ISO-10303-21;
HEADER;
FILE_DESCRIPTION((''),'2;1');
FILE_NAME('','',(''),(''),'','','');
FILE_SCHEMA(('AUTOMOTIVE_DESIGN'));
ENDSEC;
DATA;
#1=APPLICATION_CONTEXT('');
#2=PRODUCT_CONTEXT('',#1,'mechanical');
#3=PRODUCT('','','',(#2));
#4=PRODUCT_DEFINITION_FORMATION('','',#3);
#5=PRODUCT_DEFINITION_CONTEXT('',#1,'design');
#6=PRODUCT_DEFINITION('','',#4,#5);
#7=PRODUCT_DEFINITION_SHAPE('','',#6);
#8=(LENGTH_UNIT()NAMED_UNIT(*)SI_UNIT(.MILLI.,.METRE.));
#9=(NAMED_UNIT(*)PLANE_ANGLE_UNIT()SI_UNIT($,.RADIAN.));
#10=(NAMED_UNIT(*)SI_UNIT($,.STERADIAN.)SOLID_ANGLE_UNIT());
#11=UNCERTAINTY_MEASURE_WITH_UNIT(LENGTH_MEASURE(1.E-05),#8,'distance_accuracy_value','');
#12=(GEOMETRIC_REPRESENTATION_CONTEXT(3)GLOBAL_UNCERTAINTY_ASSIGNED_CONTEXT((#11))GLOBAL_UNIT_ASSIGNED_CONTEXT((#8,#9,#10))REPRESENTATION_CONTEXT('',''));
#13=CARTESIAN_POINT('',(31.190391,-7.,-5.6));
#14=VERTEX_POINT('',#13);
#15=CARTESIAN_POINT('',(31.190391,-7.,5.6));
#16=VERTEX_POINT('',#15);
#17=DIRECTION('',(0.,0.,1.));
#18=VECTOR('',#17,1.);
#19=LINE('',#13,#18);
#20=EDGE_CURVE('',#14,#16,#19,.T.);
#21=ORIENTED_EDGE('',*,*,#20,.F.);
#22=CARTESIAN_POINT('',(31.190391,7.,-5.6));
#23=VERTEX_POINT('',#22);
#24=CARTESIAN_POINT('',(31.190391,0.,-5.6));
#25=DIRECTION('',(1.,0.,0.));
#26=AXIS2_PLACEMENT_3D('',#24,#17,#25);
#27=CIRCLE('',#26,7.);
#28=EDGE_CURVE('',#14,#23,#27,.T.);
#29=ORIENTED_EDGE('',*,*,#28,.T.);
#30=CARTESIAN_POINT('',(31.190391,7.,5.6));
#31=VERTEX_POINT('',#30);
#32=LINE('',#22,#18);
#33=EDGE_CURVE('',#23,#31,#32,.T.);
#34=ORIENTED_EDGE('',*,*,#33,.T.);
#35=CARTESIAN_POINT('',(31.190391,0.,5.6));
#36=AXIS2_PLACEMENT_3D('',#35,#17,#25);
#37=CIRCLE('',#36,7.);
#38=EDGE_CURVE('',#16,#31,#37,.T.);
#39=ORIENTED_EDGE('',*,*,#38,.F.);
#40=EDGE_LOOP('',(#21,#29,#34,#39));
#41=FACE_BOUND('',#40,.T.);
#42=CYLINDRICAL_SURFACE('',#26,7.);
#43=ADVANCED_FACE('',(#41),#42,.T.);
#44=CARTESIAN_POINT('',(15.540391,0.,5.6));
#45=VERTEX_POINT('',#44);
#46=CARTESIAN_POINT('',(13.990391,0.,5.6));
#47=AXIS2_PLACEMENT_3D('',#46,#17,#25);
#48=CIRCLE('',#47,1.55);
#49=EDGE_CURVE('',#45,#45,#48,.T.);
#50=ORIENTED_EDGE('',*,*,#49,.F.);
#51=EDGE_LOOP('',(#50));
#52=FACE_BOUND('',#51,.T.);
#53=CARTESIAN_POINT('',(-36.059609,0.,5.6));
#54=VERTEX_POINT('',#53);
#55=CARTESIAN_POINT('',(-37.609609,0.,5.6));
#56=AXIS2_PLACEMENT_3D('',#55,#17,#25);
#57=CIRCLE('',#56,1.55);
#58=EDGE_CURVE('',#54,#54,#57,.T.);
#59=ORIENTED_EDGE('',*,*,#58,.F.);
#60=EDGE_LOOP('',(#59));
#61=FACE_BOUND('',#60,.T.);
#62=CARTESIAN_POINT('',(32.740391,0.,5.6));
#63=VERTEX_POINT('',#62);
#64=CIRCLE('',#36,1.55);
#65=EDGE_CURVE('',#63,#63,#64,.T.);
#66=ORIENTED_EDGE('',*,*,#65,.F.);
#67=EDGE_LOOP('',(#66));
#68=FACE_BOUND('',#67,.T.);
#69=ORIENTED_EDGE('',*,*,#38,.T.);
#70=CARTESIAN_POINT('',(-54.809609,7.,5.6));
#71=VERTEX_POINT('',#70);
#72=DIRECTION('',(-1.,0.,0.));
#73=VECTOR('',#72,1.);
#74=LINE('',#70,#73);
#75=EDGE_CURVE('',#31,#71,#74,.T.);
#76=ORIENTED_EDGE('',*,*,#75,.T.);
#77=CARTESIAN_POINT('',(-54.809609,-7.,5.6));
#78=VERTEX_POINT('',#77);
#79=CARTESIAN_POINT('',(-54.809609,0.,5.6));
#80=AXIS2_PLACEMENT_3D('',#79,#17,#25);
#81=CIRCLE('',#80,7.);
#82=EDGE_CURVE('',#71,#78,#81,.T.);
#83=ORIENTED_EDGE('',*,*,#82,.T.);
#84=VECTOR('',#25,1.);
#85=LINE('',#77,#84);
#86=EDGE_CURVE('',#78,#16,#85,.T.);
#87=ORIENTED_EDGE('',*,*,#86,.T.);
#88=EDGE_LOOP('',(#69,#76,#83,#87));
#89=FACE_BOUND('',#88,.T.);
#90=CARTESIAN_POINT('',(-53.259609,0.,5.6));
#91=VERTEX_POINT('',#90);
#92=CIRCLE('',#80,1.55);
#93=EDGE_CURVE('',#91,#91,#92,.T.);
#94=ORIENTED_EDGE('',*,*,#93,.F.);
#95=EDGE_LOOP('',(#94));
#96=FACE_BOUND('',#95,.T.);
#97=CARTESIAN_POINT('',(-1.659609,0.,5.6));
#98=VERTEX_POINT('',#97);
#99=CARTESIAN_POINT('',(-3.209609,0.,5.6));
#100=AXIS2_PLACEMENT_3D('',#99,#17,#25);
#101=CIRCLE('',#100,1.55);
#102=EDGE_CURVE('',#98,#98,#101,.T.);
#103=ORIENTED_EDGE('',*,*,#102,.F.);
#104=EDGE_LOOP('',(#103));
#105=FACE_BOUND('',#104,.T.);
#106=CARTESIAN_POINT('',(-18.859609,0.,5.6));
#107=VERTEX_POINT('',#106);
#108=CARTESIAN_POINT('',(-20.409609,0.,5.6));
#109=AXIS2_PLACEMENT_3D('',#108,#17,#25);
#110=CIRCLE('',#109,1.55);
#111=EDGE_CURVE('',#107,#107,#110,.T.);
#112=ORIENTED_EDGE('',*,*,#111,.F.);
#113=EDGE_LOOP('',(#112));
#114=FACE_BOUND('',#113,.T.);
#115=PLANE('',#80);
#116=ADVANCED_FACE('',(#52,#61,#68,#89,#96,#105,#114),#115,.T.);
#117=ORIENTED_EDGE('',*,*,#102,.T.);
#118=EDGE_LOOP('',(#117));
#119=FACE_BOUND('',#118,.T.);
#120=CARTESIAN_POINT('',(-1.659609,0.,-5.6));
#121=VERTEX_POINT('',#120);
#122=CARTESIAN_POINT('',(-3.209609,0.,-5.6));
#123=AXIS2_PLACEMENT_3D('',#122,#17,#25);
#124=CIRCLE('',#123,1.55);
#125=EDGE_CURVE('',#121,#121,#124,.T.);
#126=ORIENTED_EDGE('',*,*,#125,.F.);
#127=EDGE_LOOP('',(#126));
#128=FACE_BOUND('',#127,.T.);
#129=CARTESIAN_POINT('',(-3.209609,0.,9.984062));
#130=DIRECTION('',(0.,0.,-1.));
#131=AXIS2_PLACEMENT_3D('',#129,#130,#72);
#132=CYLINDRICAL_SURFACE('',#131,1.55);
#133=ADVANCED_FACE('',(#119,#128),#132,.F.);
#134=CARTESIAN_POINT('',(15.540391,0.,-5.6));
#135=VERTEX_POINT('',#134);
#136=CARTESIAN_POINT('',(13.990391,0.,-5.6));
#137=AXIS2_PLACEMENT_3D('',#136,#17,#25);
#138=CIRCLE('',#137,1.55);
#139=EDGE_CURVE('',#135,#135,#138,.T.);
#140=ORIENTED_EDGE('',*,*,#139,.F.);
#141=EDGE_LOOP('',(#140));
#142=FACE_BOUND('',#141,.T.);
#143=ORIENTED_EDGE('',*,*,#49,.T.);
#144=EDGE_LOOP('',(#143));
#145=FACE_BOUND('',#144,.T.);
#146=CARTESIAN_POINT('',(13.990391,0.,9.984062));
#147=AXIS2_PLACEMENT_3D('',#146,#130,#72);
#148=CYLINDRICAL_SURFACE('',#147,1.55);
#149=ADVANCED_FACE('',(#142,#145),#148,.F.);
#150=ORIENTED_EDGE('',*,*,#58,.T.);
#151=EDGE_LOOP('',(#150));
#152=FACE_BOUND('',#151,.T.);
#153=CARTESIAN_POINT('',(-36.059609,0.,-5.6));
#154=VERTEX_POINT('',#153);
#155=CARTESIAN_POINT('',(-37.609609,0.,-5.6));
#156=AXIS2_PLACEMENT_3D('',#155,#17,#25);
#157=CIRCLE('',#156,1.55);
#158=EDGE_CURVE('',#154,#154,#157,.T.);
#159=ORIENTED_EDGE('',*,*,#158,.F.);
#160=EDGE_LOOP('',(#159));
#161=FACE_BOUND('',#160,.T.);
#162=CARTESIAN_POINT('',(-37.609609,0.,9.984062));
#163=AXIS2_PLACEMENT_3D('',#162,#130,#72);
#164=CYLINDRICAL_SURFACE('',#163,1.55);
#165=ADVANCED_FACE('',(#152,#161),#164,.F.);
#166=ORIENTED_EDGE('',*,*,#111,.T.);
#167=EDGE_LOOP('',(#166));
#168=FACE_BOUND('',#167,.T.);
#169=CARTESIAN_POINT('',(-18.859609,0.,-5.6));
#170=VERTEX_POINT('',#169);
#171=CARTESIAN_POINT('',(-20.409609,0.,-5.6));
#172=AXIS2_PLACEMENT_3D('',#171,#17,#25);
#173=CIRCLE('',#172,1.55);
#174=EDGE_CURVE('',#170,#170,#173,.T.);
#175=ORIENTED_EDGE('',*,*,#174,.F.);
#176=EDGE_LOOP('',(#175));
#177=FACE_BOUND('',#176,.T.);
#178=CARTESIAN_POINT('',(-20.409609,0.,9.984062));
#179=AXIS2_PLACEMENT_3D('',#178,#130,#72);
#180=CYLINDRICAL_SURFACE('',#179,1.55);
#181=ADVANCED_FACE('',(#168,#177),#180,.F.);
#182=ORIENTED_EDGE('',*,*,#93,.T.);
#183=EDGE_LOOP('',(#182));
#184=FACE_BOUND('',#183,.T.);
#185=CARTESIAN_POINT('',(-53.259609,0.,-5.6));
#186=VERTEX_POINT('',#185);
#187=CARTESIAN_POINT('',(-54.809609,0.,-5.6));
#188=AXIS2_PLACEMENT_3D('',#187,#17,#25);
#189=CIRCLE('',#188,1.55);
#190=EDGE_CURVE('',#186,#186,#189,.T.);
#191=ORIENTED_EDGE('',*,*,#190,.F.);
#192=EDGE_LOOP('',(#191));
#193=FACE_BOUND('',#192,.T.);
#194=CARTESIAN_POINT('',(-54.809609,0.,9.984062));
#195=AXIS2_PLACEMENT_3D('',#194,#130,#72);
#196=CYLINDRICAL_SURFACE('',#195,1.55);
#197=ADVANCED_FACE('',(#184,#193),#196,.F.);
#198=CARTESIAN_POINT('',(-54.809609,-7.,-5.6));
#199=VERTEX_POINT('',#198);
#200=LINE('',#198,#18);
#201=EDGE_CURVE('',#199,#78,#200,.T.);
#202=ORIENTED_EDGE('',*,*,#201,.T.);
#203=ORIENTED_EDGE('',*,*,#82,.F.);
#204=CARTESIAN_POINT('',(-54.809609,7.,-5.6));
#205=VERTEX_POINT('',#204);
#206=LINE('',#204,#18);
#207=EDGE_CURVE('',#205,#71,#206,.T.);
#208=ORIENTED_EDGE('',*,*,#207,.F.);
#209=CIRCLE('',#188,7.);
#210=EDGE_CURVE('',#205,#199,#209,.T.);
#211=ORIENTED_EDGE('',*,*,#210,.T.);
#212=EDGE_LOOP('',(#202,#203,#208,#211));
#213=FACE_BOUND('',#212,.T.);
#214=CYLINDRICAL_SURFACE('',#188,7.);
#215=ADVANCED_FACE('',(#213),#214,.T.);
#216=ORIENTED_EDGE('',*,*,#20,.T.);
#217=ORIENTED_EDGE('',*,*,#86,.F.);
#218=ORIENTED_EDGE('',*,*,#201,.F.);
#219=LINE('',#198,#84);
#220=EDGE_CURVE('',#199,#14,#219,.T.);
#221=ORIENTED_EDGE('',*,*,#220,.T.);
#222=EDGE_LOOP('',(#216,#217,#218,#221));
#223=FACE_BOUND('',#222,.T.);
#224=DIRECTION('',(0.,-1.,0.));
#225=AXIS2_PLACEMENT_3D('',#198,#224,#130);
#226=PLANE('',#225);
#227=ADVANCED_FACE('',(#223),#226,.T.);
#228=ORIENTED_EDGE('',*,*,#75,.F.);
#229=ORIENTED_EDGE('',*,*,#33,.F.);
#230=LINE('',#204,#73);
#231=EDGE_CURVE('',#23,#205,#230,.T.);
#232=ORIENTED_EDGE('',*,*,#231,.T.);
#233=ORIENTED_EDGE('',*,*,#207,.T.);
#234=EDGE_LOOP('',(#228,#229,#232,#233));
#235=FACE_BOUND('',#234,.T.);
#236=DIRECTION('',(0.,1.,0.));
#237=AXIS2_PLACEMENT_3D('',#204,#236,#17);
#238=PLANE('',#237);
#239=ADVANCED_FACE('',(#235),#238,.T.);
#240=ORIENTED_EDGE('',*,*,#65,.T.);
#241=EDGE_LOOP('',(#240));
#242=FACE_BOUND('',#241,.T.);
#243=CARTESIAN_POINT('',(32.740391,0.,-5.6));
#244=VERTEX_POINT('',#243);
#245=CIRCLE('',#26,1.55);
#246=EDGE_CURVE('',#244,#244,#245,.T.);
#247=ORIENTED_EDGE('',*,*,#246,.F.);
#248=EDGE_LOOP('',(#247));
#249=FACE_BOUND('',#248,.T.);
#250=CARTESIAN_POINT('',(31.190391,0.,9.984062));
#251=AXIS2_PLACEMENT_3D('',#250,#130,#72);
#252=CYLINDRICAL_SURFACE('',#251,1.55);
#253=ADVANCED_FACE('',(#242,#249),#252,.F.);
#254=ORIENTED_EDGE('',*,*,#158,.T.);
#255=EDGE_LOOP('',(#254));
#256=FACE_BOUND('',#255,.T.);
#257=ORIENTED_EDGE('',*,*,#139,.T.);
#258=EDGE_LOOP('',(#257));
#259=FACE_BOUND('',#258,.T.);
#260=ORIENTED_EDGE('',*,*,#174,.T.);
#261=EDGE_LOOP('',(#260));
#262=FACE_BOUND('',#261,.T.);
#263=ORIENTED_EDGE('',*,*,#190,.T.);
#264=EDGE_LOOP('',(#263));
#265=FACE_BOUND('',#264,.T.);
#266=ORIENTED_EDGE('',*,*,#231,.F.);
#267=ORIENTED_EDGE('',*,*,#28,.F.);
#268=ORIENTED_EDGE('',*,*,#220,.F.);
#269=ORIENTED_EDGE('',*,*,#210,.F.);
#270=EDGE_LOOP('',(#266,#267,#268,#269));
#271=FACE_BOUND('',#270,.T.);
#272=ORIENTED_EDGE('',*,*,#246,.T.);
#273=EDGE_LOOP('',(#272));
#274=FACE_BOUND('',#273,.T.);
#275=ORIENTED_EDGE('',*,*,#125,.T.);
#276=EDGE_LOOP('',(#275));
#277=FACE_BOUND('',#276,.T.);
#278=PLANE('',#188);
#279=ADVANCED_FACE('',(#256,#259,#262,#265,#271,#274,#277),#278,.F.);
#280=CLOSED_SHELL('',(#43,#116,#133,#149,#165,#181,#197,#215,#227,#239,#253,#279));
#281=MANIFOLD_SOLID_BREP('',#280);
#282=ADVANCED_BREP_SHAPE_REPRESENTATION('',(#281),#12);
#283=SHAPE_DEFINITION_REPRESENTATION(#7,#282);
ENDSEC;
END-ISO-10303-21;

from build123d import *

# Parameters (mm, degrees)
BOSS_EXTRUDE1_DEPTH      = 2.8
BOSS_EXTRUDE1_DEPTH_BACK = 2.8
ECHELLE1_SCALE           = 2
SKETCH2_R                = 1.55
CUT_EXTRUDE6_DEPTH       = 11.2


with BuildPart() as part:
    # Sketch1 → Boss-Extrude1 (new, two sides: drawn at the far end of the back side and taken through both)
    with BuildSketch(Plane.XY.offset(-BOSS_EXTRUDE1_DEPTH_BACK)):
        with BuildLine():
            Line((-33.309608541, 3.5), (9.690391459, 3.5))
            ThreePointArc((9.690391459, 3.5), (13.190391459, 0), (9.690391459, -3.5))
            Line((9.690391459, -3.5), (-33.309608541, -3.5))
            ThreePointArc((-33.309608541, -3.5), (-36.809608541, 0), (-33.309608541, 3.5))
        make_face()
    extrude(amount=BOSS_EXTRUDE1_DEPTH + BOSS_EXTRUDE1_DEPTH_BACK)


with BuildPart() as part_1:
    # Echelle1: scaled about (-11.809608541, 0, 0)
    add(part.part.scale(ECHELLE1_SCALE).moved(Location((11.809608541, 0, 0))))

    # Sketch2 → Cut-Extrude6 (cut)
    with BuildSketch(Plane.XY.offset(-5.6)):
        with Locations((-54.809608541, 0)):
            Circle(SKETCH2_R)
        with Locations((-37.609608541, 0)):
            Circle(SKETCH2_R)
        with Locations((-20.409608541, 0)):
            Circle(SKETCH2_R)
        with Locations((-3.209608541, 0)):
            Circle(SKETCH2_R)
        with Locations((13.990391459, 0)):
            Circle(SKETCH2_R)
        with Locations((31.190391459, 0)):
            Circle(SKETCH2_R)
    extrude(amount=CUT_EXTRUDE6_DEPTH, mode=Mode.SUBTRACT)


solid = part_1.part
